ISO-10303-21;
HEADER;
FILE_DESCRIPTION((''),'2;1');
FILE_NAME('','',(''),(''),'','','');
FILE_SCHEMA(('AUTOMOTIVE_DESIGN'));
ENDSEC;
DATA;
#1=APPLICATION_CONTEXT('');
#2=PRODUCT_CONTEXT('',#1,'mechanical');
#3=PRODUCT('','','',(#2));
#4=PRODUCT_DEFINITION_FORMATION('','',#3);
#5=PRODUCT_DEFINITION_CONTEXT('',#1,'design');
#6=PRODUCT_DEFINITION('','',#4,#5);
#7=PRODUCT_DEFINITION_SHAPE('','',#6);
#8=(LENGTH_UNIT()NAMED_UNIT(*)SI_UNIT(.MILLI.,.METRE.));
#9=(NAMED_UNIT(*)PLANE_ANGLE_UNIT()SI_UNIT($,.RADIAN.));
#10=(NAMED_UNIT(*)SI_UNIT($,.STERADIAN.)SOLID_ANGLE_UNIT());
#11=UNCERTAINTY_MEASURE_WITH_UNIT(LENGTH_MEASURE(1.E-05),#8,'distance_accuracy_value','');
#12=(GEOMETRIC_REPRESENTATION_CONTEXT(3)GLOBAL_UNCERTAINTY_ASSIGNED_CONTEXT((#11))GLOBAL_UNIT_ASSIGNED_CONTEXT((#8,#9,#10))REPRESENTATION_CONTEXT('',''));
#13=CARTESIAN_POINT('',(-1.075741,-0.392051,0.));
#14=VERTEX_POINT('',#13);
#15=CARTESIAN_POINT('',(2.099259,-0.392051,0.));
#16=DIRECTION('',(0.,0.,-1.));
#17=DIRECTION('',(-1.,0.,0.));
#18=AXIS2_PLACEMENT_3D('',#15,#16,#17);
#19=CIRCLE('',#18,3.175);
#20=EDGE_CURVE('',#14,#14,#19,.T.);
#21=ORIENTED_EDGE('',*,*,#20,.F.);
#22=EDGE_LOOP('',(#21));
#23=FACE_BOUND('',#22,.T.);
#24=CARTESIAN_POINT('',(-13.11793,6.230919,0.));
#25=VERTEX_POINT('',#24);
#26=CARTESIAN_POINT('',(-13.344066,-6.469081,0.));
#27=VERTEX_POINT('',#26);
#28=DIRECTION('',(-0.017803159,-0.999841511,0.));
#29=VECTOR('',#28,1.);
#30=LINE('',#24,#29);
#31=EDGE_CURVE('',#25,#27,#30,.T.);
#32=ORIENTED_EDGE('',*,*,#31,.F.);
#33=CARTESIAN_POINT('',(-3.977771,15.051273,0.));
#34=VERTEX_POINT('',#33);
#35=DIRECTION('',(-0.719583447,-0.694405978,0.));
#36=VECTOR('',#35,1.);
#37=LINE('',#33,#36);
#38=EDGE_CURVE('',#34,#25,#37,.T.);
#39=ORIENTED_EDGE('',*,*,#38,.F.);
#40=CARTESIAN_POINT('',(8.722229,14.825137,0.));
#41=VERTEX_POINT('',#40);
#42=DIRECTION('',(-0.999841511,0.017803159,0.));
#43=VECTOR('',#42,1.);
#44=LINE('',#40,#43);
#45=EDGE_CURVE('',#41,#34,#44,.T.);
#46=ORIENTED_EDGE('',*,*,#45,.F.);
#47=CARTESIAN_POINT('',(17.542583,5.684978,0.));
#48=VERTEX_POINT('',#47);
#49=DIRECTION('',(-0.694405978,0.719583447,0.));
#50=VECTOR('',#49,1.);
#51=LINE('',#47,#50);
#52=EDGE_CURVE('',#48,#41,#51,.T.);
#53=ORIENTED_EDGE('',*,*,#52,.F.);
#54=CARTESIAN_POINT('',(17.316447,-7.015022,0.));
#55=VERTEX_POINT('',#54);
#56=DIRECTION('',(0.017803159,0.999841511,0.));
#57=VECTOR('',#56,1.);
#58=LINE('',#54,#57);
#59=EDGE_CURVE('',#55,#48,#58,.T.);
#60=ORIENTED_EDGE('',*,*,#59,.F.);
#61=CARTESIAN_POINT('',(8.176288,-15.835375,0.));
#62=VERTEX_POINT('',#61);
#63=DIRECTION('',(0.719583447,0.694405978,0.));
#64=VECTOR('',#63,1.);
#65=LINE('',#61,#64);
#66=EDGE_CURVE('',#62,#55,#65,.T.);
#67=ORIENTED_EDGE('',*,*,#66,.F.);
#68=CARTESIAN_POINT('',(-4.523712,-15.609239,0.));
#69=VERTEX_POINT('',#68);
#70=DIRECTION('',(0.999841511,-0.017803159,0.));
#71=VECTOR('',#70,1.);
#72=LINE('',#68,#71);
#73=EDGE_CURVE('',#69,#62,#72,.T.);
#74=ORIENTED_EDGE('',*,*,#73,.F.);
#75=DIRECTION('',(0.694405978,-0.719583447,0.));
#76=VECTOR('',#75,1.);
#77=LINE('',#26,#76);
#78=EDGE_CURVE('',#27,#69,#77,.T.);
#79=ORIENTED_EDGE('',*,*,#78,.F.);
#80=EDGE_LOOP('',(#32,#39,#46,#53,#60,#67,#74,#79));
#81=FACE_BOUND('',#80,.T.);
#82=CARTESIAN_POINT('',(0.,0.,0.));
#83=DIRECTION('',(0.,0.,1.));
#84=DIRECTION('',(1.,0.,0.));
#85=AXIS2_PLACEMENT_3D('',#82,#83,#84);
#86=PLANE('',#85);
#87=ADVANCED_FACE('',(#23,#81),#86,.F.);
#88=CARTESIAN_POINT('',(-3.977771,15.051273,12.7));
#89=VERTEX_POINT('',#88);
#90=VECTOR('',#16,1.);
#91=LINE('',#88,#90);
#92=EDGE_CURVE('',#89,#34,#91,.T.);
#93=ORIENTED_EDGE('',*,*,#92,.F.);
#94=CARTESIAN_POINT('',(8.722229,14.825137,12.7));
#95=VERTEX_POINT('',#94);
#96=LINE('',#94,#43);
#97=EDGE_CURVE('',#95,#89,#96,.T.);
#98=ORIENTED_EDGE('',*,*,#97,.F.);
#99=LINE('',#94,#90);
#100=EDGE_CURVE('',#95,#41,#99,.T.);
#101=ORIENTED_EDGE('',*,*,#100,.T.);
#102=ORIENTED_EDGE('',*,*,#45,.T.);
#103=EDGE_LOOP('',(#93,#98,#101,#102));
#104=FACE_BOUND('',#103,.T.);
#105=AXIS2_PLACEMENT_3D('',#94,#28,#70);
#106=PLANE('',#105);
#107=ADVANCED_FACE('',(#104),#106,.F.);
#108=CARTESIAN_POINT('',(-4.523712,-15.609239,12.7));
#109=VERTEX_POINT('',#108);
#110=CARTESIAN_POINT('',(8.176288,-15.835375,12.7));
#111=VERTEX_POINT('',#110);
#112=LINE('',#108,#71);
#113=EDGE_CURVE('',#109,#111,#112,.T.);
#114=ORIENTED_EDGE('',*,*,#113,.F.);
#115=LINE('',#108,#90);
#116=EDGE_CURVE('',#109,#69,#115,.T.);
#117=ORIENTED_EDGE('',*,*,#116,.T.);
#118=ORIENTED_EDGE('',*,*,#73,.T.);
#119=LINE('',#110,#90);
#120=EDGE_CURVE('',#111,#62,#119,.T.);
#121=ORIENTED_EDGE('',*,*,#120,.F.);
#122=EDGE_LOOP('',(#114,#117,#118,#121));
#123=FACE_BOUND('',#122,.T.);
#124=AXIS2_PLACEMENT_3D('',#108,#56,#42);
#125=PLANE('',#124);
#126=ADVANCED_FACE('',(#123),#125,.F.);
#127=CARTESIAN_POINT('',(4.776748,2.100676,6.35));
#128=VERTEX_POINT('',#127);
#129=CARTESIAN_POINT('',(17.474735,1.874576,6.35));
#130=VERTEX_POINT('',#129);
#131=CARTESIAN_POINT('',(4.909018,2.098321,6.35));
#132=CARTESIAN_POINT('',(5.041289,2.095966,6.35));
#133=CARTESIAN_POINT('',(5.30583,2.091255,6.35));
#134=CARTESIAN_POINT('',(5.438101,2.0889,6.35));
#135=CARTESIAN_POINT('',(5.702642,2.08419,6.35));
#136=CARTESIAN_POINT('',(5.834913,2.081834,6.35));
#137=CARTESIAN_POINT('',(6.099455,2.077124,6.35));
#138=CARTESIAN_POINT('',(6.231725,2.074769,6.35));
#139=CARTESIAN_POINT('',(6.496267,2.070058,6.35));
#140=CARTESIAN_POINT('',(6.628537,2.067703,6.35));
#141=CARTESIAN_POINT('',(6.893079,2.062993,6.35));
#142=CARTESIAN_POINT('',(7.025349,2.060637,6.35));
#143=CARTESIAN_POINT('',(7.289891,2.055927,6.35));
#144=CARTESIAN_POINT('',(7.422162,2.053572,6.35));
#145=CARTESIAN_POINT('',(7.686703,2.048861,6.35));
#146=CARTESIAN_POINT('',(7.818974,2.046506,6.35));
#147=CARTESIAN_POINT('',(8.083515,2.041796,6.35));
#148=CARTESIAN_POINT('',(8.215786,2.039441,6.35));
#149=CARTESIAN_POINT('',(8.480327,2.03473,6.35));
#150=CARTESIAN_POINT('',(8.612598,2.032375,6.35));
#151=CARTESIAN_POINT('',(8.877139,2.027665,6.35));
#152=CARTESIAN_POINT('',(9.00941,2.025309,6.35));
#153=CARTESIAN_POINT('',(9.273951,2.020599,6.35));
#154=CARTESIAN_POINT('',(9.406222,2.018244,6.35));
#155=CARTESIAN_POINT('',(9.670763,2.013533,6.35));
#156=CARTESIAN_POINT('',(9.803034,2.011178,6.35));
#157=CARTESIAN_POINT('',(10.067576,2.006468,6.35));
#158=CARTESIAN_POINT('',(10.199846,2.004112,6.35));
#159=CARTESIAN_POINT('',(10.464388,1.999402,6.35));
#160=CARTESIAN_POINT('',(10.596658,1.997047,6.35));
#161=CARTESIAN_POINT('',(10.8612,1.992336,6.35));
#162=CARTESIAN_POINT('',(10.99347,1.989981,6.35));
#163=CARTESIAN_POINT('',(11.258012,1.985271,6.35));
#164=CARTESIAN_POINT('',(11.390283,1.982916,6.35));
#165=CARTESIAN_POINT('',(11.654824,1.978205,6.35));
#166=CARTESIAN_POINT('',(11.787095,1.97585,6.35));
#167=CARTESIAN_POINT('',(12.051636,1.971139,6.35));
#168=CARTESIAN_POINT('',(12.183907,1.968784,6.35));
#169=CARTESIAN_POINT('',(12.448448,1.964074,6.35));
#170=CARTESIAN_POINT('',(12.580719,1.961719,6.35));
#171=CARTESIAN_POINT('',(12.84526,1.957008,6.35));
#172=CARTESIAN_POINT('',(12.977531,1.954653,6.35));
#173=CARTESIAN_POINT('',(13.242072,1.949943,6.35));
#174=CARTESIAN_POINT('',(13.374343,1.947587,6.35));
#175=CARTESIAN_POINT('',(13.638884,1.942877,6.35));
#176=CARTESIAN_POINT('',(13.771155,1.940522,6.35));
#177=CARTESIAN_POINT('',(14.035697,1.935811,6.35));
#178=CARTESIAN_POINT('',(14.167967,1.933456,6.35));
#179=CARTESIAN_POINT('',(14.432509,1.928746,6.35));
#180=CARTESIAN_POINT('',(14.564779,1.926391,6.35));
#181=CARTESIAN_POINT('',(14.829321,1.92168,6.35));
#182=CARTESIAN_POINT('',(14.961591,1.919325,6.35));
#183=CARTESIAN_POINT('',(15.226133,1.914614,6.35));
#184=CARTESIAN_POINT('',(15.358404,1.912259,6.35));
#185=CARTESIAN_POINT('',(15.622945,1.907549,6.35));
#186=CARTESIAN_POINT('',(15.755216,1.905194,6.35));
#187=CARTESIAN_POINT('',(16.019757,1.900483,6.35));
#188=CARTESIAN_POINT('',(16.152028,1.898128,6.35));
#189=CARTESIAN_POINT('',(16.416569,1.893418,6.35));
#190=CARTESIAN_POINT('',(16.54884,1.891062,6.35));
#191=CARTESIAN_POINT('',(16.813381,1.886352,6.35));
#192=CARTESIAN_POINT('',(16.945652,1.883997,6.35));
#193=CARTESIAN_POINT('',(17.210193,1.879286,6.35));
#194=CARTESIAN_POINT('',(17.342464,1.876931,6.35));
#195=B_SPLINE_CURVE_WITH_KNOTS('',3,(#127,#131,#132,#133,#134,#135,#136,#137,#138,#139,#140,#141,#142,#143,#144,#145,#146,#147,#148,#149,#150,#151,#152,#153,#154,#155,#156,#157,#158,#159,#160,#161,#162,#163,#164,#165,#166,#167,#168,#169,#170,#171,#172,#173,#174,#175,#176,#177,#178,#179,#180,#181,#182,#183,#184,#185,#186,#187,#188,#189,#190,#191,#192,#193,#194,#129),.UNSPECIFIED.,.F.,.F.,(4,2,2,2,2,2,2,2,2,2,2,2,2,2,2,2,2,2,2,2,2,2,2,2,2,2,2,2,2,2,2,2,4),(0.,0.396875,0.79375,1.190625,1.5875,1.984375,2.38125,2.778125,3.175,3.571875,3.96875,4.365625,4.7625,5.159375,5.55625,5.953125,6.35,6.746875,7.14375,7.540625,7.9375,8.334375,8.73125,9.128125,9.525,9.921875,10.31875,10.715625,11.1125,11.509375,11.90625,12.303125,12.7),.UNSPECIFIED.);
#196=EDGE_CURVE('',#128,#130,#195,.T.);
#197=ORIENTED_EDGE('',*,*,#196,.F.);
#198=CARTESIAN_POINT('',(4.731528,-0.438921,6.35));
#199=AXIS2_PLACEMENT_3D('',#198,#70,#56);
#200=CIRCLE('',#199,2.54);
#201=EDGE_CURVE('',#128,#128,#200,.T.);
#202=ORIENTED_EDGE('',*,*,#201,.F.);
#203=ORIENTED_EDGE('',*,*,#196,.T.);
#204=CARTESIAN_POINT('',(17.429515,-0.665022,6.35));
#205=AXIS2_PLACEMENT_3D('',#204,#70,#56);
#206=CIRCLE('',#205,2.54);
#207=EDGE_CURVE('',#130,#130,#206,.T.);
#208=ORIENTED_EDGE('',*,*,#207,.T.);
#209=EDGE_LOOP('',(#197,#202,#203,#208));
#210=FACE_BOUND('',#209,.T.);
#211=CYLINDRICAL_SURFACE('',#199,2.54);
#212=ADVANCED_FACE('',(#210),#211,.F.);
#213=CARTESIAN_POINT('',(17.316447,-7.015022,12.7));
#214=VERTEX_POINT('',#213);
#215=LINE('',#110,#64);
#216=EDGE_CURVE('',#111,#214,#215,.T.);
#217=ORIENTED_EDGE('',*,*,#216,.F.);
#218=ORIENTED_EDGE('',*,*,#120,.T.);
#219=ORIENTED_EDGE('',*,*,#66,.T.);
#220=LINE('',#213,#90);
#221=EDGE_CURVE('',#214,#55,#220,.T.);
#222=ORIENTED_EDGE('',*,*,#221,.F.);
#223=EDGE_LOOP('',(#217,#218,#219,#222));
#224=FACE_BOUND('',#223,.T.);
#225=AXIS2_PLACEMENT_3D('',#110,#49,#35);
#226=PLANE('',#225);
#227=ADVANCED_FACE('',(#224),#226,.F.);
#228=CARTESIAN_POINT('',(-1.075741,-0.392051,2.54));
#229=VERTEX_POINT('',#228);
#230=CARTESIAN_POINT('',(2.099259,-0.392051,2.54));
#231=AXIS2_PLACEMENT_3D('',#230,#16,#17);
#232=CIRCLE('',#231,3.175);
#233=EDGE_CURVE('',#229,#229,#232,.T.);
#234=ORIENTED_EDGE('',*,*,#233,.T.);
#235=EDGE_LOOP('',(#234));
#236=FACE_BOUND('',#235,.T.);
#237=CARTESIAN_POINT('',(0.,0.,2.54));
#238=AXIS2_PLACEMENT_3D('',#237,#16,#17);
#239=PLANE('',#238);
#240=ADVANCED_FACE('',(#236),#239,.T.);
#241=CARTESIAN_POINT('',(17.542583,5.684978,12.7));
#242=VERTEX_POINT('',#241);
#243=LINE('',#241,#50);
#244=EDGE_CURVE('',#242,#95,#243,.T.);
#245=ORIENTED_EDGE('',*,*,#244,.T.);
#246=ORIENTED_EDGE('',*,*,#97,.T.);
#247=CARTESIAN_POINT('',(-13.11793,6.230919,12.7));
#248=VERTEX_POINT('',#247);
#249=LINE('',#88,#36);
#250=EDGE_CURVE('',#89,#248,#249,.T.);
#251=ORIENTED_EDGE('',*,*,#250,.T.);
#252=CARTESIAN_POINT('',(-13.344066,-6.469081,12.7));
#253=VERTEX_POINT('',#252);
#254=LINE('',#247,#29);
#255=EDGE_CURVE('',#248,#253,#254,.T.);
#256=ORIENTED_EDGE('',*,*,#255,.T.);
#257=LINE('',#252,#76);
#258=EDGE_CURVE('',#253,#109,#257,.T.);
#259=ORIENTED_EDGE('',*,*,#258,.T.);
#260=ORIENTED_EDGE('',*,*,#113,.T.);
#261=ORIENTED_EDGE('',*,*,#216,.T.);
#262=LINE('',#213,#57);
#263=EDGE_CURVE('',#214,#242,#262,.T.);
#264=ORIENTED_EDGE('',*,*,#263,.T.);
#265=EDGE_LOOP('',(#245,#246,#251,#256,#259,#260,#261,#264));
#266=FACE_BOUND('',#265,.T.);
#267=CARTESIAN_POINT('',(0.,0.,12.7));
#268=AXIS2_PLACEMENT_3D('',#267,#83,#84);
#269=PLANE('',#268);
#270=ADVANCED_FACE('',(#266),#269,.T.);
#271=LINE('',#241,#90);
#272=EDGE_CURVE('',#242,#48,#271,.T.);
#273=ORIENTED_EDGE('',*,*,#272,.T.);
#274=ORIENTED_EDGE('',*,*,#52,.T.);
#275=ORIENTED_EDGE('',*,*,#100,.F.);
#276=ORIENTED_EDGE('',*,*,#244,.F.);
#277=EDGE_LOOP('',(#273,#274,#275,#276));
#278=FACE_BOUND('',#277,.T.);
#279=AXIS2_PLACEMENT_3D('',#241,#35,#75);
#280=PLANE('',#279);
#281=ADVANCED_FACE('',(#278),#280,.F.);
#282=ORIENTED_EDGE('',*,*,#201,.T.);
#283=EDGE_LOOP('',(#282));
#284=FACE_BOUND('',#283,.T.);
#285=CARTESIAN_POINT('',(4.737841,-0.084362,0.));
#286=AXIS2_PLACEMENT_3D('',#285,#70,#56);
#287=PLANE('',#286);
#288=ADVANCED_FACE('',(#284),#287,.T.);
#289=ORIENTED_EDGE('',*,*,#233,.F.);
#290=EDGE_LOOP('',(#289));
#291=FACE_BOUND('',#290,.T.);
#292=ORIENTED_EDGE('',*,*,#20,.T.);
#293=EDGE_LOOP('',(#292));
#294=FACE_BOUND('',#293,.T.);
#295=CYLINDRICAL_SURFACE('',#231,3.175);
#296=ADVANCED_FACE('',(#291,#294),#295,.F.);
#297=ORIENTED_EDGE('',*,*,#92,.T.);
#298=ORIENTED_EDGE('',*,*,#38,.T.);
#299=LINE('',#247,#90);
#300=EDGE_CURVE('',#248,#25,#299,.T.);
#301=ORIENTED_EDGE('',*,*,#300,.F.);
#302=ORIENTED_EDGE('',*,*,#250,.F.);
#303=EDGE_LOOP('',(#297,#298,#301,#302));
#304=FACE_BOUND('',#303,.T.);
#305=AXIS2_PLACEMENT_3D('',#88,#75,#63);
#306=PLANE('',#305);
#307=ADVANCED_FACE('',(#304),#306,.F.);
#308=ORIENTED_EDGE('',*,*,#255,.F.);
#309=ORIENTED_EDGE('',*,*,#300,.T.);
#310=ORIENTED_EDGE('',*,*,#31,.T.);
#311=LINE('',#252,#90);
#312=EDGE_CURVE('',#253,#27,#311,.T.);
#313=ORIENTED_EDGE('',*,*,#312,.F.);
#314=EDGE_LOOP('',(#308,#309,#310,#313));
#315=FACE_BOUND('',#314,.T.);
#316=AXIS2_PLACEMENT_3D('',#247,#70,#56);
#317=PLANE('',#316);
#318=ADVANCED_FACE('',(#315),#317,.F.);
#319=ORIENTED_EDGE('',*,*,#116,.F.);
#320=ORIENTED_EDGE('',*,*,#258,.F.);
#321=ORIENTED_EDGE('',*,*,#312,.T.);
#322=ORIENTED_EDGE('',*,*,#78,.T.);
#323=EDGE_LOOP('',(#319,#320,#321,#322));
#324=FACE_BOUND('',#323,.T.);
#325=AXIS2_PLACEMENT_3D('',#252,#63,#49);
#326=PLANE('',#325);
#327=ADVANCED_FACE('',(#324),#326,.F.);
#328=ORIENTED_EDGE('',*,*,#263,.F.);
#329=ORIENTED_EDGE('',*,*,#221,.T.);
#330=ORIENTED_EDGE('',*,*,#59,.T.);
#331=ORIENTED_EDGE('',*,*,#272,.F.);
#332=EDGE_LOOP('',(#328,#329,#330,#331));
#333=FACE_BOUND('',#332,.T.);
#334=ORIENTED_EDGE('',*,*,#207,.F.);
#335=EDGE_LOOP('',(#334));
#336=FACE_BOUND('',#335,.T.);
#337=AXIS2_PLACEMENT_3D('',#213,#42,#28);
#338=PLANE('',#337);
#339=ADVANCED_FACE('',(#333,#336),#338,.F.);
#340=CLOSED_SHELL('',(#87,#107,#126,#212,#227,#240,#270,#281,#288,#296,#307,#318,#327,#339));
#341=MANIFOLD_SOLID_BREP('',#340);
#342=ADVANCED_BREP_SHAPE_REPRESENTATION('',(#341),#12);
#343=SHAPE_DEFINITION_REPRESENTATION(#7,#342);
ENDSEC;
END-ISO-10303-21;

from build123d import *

# Parameters (mm, degrees)
BOSS_EXTRUDE2_DEPTH = 12.7
CUT_EXTRUDE3_DEPTH  = 12.7
SKETCH7_R           = 3.175
CUT_EXTRUDE5_DEPTH  = 2.54


with BuildPart() as part:
    # Sketch5 → Boss-Extrude2 (new body)
    with BuildSketch(Plane.XY):
        Polygon((17.316446729, -7.015021533), (17.542582687, 5.684978467), (8.722228835, 14.825136857), (-3.977771165, 15.051272815), (-13.117929555, 6.230918963), (-13.344065513, -6.469081037), (-4.523711662, -15.609239427), (8.176288338, -15.835375385), align=None)
    extrude(amount=BOSS_EXTRUDE2_DEPTH)

    # Sketch6 → Cut-Extrude3 (cut)
    with BuildSketch(Plane(origin=(17.435827988, -0.310462021, 0), x_dir=(0, 0, -1), z_dir=(0.9998415112072249, -0.017803158900963578, 0))):
        with BuildLine():
            ThreePointArc((-8.14590888, 1.441577842), (-8.89, -0.354615715), (-8.14590888, -2.150809272))
            Line((-8.14590888, -2.150809272), (-6.35, -0.354615715))
            Line((-6.35, -0.354615715), (-8.14590888, 1.441577842))
        make_face()
        with BuildLine():
            Line((-6.35, -0.354615715), (-8.14590888, -2.150809272))
            ThreePointArc((-8.14590888, -2.150809272), (-6.35, -2.894615715), (-4.55409112, -2.150809272))
            Line((-4.55409112, -2.150809272), (-6.35, -0.354615715))
        make_face()
        with BuildLine():
            Line((-8.14590888, 1.441577842), (-6.35, -0.354615715))
            Line((-6.35, -0.354615715), (-4.55409112, 1.441577842))
            ThreePointArc((-4.55409112, 1.441577842), (-6.35, 2.185384285), (-8.14590888, 1.441577842))
        make_face()
        with BuildLine():
            Line((-4.55409112, 1.441577842), (-6.35, -0.354615715))
            Line((-6.35, -0.354615715), (-4.55409112, -2.150809272))
            ThreePointArc((-4.55409112, -2.150809272), (-4.003384506, -1.326724619), (-3.81, -0.354615715))
            ThreePointArc((-3.81, -0.354615715), (-4.003384506, 0.617493189), (-4.55409112, 1.441577842))
        make_face()
    extrude(amount=-CUT_EXTRUDE3_DEPTH, mode=Mode.SUBTRACT)

    # Sketch7 → Cut-Extrude5 (cut)
    with BuildSketch(Plane(origin=(0, 0, 0), x_dir=(-1, 0, 0), z_dir=(0, 0, -1))):
        with Locations((-2.099258587, -0.392051285)):
            Circle(SKETCH7_R)
    extrude(amount=-CUT_EXTRUDE5_DEPTH, mode=Mode.SUBTRACT)


solid = part.part
